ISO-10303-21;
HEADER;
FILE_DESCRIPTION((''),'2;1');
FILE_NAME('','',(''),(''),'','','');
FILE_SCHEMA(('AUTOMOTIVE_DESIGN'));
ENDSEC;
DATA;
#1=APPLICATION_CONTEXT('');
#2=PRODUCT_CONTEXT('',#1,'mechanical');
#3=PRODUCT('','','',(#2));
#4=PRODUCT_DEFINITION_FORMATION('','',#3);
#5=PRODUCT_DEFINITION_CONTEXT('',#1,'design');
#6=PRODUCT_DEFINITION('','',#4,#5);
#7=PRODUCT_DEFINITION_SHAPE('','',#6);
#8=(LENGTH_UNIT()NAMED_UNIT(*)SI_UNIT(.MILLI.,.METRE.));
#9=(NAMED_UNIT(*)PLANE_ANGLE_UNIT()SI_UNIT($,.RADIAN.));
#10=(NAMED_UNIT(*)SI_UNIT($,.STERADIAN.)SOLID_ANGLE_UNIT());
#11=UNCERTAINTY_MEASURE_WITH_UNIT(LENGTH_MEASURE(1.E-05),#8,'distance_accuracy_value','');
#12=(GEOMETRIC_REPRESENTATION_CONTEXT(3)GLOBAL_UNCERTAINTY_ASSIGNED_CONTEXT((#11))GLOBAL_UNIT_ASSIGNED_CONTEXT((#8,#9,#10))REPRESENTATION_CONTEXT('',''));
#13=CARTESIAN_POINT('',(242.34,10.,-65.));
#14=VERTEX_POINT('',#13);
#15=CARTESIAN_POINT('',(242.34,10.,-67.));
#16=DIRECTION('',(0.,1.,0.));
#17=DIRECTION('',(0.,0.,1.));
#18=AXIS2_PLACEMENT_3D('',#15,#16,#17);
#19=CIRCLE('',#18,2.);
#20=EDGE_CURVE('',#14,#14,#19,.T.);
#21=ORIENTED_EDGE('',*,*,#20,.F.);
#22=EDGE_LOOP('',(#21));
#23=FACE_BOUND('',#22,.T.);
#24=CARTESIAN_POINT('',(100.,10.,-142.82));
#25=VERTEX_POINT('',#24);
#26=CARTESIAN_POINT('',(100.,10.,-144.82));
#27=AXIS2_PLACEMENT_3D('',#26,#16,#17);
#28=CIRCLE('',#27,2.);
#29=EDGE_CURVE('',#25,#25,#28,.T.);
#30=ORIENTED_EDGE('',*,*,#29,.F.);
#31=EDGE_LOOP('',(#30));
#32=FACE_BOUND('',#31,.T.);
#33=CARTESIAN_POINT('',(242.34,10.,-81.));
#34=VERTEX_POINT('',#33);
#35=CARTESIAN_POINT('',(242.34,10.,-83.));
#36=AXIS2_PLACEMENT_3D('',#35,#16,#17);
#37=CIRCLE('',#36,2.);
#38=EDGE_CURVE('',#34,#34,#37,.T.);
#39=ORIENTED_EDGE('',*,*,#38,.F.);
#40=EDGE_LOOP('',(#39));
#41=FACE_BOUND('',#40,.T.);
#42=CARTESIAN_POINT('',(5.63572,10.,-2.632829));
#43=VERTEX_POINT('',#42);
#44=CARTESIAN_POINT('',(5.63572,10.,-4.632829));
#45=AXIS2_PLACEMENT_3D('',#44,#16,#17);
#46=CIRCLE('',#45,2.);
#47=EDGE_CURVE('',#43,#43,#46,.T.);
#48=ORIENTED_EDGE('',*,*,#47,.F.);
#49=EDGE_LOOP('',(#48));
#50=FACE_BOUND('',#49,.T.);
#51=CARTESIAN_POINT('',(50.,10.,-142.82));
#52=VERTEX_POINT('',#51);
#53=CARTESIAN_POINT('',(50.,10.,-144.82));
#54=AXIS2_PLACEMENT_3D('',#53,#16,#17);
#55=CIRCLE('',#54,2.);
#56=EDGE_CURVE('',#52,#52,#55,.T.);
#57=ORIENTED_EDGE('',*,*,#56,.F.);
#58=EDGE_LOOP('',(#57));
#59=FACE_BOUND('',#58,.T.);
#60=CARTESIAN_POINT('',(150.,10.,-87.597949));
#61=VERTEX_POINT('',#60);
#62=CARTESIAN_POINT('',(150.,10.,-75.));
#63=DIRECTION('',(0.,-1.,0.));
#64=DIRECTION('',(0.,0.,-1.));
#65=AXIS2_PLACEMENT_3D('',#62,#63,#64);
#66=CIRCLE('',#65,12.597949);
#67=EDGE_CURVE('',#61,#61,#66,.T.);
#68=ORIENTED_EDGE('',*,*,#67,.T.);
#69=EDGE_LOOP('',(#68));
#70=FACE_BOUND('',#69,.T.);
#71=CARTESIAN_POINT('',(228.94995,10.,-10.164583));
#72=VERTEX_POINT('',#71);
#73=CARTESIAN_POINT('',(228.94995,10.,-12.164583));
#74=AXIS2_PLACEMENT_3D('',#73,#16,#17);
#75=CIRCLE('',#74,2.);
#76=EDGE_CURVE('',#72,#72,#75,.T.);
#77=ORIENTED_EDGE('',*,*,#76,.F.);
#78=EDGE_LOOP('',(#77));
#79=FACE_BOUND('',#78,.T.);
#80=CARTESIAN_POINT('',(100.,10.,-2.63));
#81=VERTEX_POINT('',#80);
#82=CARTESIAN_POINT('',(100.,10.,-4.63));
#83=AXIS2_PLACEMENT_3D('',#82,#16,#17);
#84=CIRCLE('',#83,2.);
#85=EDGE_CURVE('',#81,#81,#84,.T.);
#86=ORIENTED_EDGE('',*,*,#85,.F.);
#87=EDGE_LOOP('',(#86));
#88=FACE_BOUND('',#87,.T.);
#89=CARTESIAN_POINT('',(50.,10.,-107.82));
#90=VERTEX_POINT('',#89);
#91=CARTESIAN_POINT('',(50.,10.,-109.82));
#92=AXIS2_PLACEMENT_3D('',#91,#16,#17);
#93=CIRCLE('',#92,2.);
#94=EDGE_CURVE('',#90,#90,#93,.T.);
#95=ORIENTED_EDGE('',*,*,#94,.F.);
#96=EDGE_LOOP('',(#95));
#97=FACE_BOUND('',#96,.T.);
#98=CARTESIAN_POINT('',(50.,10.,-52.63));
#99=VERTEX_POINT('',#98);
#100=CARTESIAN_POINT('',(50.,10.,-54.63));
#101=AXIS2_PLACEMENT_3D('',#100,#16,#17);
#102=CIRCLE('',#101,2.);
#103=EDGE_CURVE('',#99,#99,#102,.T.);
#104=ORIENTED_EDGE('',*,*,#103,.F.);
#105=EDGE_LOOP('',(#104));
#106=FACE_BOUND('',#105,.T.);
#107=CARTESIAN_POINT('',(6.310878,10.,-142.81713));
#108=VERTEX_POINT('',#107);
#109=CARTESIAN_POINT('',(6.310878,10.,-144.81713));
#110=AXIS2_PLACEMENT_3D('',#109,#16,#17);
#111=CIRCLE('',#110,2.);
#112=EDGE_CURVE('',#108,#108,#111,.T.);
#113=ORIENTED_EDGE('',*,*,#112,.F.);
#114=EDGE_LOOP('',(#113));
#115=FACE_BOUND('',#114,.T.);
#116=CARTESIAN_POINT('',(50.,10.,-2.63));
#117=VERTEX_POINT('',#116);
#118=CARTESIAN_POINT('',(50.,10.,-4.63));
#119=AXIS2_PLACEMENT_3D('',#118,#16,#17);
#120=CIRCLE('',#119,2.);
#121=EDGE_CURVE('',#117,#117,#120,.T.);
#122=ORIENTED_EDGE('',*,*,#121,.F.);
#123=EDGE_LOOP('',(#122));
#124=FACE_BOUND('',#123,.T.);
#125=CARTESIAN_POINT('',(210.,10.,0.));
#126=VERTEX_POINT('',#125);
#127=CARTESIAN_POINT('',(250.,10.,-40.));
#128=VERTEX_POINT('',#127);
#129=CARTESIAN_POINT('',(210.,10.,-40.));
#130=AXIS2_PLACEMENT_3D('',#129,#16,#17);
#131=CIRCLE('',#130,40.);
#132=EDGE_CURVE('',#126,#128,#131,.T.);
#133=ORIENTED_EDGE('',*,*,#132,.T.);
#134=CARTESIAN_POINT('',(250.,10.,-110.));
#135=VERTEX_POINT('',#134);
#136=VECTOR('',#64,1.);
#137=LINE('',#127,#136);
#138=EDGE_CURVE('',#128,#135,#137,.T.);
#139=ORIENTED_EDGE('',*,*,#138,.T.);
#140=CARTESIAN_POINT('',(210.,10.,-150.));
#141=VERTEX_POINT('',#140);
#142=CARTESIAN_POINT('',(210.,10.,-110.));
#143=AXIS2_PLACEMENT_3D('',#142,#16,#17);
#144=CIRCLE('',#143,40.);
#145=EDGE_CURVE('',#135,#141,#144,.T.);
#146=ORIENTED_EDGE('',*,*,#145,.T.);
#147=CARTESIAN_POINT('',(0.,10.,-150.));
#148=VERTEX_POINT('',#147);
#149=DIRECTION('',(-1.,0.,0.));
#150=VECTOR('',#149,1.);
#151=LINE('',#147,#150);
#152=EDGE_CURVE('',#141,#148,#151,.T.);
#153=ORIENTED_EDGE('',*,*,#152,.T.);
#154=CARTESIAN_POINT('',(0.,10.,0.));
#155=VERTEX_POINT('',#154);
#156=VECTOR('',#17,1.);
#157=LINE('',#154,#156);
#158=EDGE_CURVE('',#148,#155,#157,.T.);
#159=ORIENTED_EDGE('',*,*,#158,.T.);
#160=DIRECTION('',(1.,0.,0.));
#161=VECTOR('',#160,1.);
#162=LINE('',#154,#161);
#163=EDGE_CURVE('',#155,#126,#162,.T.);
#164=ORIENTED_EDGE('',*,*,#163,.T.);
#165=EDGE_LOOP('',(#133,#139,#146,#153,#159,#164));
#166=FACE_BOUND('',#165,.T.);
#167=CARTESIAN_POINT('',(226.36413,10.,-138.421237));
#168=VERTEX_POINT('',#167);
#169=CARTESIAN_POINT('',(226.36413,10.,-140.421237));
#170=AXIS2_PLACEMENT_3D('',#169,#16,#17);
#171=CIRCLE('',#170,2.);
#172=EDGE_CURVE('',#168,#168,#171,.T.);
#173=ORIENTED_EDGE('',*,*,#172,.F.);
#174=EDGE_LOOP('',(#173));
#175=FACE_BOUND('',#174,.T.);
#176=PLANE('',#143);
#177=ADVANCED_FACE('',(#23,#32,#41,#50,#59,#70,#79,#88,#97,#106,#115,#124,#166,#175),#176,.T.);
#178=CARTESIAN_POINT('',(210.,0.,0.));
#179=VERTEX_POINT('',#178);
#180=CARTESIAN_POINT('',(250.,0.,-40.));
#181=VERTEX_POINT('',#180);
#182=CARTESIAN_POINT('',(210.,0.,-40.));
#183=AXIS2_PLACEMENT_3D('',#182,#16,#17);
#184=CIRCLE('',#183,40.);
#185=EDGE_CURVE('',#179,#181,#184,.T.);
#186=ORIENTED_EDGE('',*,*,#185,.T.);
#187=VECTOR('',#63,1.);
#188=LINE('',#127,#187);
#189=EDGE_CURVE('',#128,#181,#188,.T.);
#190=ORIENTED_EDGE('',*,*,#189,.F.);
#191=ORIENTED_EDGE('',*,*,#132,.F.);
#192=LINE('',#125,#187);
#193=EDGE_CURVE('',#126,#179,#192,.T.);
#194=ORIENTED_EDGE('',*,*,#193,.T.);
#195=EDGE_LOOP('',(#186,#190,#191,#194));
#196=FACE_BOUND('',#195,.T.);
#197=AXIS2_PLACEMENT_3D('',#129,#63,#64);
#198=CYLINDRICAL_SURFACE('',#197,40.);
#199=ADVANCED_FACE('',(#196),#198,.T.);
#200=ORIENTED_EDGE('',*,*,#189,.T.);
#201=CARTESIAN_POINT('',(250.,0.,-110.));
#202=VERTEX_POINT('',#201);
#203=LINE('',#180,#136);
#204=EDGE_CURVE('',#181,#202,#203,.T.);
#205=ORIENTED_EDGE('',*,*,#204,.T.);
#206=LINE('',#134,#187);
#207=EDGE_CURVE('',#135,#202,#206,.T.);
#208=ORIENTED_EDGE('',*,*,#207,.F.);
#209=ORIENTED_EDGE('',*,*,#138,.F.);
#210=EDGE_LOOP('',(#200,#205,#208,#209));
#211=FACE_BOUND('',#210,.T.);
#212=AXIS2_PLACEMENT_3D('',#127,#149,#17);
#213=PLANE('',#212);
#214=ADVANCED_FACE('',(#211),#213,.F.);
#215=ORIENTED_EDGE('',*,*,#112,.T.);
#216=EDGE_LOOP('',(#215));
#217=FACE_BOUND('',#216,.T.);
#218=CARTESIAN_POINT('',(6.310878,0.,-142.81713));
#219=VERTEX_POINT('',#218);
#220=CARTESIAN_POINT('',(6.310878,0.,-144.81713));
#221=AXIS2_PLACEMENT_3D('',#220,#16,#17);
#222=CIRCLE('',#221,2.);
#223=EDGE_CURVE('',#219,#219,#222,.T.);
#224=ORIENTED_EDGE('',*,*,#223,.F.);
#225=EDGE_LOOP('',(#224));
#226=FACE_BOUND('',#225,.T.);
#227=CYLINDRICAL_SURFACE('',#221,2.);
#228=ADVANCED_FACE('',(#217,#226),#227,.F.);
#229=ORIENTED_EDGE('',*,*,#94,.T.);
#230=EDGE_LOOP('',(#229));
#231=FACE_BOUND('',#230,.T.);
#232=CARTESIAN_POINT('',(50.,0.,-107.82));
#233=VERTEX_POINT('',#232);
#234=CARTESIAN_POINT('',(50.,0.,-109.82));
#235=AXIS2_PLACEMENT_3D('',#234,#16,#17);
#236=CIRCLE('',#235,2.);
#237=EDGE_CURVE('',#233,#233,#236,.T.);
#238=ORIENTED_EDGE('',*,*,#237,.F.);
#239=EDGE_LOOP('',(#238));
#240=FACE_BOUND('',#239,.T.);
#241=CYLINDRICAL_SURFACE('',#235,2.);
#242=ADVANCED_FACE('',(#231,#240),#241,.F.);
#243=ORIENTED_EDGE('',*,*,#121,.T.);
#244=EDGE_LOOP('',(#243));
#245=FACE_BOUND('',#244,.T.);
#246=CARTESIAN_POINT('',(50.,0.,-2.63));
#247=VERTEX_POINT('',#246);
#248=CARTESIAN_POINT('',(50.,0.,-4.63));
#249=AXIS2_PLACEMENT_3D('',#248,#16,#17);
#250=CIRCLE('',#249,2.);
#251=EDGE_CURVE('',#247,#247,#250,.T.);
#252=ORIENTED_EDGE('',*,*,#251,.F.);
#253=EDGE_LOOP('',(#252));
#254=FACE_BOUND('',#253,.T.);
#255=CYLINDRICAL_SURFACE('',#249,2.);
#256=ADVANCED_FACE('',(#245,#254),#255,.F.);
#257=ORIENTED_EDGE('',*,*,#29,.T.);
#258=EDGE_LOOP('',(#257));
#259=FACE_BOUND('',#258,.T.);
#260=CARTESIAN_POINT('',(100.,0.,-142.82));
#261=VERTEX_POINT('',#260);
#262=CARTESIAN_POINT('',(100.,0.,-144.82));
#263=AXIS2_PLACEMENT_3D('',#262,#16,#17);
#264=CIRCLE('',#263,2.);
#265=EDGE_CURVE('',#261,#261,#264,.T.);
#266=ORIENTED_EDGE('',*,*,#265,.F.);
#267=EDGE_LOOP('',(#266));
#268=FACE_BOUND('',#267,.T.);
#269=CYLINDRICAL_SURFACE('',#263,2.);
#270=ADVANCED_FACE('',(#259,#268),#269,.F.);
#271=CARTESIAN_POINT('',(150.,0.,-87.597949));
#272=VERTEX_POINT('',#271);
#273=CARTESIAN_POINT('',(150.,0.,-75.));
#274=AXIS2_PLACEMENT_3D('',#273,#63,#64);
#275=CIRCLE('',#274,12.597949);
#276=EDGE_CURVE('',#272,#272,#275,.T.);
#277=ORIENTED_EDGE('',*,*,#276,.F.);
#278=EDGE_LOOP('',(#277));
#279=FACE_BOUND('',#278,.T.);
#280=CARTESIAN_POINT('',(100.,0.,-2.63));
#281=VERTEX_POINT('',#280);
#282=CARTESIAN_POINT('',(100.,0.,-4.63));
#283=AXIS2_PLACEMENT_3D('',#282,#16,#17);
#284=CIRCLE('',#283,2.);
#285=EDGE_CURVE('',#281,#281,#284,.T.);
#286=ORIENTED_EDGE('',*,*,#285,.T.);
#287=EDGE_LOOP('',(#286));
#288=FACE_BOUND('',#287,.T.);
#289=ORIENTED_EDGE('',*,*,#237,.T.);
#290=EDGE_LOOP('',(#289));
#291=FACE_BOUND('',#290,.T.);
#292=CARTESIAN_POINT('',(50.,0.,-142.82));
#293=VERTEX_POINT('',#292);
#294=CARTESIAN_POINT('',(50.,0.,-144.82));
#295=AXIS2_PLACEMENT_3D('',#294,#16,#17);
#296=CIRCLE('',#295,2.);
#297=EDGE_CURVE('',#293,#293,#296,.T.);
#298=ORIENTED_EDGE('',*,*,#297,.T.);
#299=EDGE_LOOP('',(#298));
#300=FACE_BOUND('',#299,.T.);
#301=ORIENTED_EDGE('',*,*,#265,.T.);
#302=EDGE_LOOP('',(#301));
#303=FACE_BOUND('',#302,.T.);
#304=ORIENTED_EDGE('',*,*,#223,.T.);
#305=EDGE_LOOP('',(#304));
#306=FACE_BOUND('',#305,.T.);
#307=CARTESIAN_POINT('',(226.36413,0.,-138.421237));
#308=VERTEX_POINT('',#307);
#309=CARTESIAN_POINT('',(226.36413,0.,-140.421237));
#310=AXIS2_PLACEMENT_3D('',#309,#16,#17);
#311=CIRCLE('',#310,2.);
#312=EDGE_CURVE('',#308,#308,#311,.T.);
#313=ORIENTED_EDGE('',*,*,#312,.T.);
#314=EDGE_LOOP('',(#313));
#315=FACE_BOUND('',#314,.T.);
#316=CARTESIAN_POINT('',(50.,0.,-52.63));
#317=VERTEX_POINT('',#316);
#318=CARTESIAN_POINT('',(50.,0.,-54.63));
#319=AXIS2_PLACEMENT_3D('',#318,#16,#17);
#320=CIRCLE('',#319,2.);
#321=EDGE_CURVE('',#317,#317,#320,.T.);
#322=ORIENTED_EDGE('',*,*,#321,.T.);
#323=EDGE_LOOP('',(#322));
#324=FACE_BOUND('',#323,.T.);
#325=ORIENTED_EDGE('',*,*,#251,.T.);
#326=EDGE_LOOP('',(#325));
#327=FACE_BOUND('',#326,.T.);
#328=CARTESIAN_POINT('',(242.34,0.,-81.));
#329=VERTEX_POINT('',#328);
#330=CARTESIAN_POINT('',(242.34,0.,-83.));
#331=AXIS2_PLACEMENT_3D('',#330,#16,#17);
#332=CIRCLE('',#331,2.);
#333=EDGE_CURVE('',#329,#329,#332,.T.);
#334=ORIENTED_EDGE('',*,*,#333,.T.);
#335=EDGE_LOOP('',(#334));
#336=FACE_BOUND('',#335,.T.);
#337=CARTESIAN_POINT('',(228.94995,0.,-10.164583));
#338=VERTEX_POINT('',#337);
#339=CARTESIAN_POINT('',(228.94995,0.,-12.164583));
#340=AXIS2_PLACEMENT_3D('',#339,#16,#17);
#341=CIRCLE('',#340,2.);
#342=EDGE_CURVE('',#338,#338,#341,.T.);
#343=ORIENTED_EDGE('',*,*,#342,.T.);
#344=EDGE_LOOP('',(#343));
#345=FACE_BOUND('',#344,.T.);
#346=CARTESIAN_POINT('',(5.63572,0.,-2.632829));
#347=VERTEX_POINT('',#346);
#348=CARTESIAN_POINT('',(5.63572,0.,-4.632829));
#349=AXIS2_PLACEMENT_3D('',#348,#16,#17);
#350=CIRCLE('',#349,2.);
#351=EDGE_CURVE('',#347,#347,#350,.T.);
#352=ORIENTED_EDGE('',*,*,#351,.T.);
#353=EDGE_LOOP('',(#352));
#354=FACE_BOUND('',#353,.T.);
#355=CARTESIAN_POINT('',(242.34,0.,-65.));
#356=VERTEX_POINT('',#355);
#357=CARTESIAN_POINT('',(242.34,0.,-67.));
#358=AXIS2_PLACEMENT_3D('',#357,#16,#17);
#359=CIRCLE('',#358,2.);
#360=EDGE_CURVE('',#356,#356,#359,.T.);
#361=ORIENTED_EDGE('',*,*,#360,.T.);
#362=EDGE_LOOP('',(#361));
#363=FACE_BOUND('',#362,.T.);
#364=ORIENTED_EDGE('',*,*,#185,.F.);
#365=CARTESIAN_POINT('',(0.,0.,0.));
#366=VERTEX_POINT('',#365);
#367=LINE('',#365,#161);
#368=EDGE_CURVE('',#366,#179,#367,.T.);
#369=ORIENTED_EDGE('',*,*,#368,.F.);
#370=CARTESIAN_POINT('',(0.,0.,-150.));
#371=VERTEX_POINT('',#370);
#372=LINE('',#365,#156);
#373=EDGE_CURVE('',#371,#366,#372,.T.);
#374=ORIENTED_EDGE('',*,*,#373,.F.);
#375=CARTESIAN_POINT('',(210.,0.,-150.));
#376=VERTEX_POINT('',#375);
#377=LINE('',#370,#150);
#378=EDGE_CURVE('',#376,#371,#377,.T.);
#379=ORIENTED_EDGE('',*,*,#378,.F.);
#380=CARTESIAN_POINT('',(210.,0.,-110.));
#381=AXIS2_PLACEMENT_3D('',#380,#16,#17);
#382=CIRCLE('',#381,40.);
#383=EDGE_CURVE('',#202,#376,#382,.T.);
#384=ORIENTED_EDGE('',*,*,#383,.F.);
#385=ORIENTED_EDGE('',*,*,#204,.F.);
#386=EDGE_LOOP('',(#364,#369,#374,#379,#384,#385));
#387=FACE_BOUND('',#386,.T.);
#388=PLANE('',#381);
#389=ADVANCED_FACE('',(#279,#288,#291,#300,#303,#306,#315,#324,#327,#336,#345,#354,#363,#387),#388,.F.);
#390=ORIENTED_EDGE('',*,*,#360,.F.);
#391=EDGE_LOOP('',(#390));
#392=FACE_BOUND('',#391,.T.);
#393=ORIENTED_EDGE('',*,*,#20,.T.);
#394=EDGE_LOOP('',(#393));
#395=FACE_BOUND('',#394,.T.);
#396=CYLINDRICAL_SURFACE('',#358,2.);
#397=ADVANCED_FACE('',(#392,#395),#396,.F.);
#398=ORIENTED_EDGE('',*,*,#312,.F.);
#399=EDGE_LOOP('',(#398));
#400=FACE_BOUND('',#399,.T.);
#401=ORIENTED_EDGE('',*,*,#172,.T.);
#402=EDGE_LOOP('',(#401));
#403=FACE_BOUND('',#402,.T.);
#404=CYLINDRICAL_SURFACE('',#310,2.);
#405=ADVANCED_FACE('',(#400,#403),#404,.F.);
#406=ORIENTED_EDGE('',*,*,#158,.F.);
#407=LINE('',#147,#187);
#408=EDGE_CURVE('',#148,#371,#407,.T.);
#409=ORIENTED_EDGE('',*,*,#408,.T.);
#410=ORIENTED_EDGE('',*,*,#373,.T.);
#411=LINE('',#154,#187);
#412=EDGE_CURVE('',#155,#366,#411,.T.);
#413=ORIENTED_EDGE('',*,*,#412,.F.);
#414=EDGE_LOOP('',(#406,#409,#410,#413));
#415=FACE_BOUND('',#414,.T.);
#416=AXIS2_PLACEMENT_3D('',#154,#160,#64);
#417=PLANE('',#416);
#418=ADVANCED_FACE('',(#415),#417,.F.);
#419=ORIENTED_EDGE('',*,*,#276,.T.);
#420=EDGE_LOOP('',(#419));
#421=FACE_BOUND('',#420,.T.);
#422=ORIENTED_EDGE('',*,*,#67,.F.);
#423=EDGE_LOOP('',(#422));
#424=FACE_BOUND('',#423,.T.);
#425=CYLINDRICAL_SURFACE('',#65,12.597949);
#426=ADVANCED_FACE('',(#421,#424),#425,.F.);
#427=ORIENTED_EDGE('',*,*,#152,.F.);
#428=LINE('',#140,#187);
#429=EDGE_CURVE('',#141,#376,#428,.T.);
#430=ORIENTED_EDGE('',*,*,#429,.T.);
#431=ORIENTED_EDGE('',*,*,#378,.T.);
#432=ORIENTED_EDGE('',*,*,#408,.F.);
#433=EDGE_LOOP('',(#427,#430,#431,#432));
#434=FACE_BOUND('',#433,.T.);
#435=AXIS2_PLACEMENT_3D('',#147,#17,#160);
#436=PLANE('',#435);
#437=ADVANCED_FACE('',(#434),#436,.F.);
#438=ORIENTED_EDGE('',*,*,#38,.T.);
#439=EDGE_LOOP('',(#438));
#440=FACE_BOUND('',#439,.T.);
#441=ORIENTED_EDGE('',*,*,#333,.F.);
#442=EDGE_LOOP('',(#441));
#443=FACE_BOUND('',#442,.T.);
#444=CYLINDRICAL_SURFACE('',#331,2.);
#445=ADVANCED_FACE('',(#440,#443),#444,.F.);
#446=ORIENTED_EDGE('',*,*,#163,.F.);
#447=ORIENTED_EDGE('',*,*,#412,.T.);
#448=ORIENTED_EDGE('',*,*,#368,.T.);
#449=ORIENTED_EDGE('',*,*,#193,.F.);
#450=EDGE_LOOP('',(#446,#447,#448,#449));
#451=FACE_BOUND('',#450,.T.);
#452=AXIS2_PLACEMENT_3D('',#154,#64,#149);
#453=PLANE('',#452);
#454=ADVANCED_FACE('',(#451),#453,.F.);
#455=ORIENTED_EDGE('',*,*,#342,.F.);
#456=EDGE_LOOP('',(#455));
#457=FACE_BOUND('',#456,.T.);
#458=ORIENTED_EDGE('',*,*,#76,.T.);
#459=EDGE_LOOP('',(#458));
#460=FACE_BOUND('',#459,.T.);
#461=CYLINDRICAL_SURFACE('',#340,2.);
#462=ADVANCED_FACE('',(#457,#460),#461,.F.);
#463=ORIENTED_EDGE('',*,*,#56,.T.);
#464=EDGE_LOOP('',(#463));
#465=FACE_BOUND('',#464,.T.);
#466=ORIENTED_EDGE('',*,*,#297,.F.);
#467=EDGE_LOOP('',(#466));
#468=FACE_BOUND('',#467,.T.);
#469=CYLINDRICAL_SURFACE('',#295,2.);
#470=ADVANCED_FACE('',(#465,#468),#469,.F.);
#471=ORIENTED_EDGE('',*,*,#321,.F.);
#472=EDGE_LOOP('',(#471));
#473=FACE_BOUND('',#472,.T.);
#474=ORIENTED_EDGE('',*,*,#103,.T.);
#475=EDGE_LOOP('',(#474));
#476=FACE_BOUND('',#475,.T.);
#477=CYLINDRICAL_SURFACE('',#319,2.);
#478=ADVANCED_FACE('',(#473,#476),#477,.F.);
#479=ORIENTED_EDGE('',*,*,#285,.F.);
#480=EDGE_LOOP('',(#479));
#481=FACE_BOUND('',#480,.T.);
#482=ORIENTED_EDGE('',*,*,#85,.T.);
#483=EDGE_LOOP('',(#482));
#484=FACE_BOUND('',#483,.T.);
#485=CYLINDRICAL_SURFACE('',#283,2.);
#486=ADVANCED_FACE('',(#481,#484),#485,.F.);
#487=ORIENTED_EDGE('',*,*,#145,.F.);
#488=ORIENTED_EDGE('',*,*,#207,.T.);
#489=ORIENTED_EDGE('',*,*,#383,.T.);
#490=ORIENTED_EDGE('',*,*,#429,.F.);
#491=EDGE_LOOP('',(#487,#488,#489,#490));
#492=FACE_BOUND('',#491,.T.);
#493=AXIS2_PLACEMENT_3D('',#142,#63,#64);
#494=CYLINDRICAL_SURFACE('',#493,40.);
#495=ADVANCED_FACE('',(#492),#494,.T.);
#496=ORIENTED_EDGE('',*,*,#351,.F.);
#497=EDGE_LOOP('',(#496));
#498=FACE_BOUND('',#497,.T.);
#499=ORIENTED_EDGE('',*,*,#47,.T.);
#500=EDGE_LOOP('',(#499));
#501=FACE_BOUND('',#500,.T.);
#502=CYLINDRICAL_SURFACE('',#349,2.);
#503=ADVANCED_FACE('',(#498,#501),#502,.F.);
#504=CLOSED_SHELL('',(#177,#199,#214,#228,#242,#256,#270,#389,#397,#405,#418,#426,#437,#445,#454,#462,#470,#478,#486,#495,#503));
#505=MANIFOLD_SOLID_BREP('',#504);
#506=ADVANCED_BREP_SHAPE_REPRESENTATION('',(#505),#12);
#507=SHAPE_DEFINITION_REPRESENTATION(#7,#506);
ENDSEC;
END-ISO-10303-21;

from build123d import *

# Parameters (mm, degrees)
BOSS_EXTRUDE1_DEPTH = 10
SKETCH2_R           = 12.59794853
CUT_EXTRUDE1_DEPTH  = 292.719042916
SKETCH3_R           = 2
CUT_EXTRUDE10_DEPTH = 292.719042916
SKETCH4_R           = 2
CUT_EXTRUDE11_DEPTH = 292.719042916
SKETCH5_R           = 2
CUT_EXTRUDE12_DEPTH = 292.719042916
SKETCH6_R           = 2
CUT_EXTRUDE13_DEPTH = 292.719042916
SKETCH10_R          = 2
CUT_EXTRUDE15_DEPTH = 292.719042916
SKETCH11_R          = 2
CUT_EXTRUDE16_DEPTH = 292.719042916


with BuildPart() as part:
    # Sketch1 → Boss-Extrude1 (new body)
    with BuildSketch(Plane(origin=(0, 0, 0), x_dir=(1, 0, 0), z_dir=(0, 1, 0))):
        with BuildLine():
            Line((0, 0), (210, 0))
            ThreePointArc((210, 0), (238.284271247, 11.715728753), (250, 40))
            Line((250, 40), (250, 110))
            ThreePointArc((250, 110), (238.284271247, 138.284271247), (210, 150))
            Line((210, 150), (0, 150))
            Line((0, 150), (0, 0))
        make_face()
    extrude(amount=BOSS_EXTRUDE1_DEPTH)

    # Sketch2 → Cut-Extrude1 (cut, through all)
    with BuildSketch(Plane.XZ):
        with Locations(Location((150, -75, 0), (0, 0, 270))):
            Circle(SKETCH2_R)
    extrude(amount=-CUT_EXTRUDE1_DEPTH, mode=Mode.SUBTRACT)

    # Sketch3 → Cut-Extrude10 (cut, through all)
    with BuildSketch(Plane(origin=(0, 10, 0), x_dir=(1, 0, 0), z_dir=(0, 1, 0))):
        with Locations(Location((6.310878228, 144.817130454, 0), (0, 0, 270))):
            Circle(SKETCH3_R)
    extrude(amount=-CUT_EXTRUDE10_DEPTH, mode=Mode.SUBTRACT)

    # Sketch4 → Cut-Extrude11 (cut, through all)
    with BuildSketch(Plane(origin=(0, 10, 0), x_dir=(1, 0, 0), z_dir=(0, 1, 0))):
        with Locations(Location((5.635720357, 4.632829204, 0), (0, 0, 270))):
            Circle(SKETCH4_R)
    extrude(amount=-CUT_EXTRUDE11_DEPTH, mode=Mode.SUBTRACT)

    # Sketch5 → Cut-Extrude12 (cut, through all)
    with BuildSketch(Plane(origin=(0, 10, 0), x_dir=(1, 0, 0), z_dir=(0, 1, 0))):
        with Locations(Location((226.364130141, 140.421237055, 0), (0, 0, 270))):
            Circle(SKETCH5_R)
    extrude(amount=-CUT_EXTRUDE12_DEPTH, mode=Mode.SUBTRACT)

    # Sketch6 → Cut-Extrude13 (cut, through all)
    with BuildSketch(Plane(origin=(0, 10, 0), x_dir=(1, 0, 0), z_dir=(0, 1, 0))):
        with Locations(Location((228.949949788, 12.164582591, 0), (0, 0, 270))):
            Circle(SKETCH6_R)
    extrude(amount=-CUT_EXTRUDE13_DEPTH, mode=Mode.SUBTRACT)

    # Sketch10 → Cut-Extrude15 (cut, through all)
    with BuildSketch(Plane(origin=(0, 10, 0), x_dir=(1, 0, 0), z_dir=(0, 1, 0))):
        with Locations(Location((50, 144.82, 0), (0, 0, 270))):
            Circle(SKETCH10_R)
        with Locations(Location((50, 4.63, 0), (0, 0, 270))):
            Circle(SKETCH10_R)
        with Locations(Location((100, 4.63, 0), (0, 0, 270))):
            Circle(SKETCH10_R)
        with Locations(Location((100, 144.82, 0), (0, 0, 270))):
            Circle(SKETCH10_R)
        with Locations(Location((50, 109.82, 0), (0, 0, 270))):
            Circle(SKETCH10_R)
        with Locations(Location((50, 54.63, 0), (0, 0, 270))):
            Circle(SKETCH10_R)
    extrude(amount=-CUT_EXTRUDE15_DEPTH, mode=Mode.SUBTRACT)

    # Sketch11 → Cut-Extrude16 (cut, through all)
    with BuildSketch(Plane(origin=(0, 10, 0), x_dir=(1, 0, 0), z_dir=(0, 1, 0))):
        with Locations(Location((242.34, 83, 0), (0, 0, 270))):
            Circle(SKETCH11_R)
        with Locations(Location((242.34, 67, 0), (0, 0, 270))):
            Circle(SKETCH11_R)
    extrude(amount=-CUT_EXTRUDE16_DEPTH, mode=Mode.SUBTRACT)


solid = part.part
